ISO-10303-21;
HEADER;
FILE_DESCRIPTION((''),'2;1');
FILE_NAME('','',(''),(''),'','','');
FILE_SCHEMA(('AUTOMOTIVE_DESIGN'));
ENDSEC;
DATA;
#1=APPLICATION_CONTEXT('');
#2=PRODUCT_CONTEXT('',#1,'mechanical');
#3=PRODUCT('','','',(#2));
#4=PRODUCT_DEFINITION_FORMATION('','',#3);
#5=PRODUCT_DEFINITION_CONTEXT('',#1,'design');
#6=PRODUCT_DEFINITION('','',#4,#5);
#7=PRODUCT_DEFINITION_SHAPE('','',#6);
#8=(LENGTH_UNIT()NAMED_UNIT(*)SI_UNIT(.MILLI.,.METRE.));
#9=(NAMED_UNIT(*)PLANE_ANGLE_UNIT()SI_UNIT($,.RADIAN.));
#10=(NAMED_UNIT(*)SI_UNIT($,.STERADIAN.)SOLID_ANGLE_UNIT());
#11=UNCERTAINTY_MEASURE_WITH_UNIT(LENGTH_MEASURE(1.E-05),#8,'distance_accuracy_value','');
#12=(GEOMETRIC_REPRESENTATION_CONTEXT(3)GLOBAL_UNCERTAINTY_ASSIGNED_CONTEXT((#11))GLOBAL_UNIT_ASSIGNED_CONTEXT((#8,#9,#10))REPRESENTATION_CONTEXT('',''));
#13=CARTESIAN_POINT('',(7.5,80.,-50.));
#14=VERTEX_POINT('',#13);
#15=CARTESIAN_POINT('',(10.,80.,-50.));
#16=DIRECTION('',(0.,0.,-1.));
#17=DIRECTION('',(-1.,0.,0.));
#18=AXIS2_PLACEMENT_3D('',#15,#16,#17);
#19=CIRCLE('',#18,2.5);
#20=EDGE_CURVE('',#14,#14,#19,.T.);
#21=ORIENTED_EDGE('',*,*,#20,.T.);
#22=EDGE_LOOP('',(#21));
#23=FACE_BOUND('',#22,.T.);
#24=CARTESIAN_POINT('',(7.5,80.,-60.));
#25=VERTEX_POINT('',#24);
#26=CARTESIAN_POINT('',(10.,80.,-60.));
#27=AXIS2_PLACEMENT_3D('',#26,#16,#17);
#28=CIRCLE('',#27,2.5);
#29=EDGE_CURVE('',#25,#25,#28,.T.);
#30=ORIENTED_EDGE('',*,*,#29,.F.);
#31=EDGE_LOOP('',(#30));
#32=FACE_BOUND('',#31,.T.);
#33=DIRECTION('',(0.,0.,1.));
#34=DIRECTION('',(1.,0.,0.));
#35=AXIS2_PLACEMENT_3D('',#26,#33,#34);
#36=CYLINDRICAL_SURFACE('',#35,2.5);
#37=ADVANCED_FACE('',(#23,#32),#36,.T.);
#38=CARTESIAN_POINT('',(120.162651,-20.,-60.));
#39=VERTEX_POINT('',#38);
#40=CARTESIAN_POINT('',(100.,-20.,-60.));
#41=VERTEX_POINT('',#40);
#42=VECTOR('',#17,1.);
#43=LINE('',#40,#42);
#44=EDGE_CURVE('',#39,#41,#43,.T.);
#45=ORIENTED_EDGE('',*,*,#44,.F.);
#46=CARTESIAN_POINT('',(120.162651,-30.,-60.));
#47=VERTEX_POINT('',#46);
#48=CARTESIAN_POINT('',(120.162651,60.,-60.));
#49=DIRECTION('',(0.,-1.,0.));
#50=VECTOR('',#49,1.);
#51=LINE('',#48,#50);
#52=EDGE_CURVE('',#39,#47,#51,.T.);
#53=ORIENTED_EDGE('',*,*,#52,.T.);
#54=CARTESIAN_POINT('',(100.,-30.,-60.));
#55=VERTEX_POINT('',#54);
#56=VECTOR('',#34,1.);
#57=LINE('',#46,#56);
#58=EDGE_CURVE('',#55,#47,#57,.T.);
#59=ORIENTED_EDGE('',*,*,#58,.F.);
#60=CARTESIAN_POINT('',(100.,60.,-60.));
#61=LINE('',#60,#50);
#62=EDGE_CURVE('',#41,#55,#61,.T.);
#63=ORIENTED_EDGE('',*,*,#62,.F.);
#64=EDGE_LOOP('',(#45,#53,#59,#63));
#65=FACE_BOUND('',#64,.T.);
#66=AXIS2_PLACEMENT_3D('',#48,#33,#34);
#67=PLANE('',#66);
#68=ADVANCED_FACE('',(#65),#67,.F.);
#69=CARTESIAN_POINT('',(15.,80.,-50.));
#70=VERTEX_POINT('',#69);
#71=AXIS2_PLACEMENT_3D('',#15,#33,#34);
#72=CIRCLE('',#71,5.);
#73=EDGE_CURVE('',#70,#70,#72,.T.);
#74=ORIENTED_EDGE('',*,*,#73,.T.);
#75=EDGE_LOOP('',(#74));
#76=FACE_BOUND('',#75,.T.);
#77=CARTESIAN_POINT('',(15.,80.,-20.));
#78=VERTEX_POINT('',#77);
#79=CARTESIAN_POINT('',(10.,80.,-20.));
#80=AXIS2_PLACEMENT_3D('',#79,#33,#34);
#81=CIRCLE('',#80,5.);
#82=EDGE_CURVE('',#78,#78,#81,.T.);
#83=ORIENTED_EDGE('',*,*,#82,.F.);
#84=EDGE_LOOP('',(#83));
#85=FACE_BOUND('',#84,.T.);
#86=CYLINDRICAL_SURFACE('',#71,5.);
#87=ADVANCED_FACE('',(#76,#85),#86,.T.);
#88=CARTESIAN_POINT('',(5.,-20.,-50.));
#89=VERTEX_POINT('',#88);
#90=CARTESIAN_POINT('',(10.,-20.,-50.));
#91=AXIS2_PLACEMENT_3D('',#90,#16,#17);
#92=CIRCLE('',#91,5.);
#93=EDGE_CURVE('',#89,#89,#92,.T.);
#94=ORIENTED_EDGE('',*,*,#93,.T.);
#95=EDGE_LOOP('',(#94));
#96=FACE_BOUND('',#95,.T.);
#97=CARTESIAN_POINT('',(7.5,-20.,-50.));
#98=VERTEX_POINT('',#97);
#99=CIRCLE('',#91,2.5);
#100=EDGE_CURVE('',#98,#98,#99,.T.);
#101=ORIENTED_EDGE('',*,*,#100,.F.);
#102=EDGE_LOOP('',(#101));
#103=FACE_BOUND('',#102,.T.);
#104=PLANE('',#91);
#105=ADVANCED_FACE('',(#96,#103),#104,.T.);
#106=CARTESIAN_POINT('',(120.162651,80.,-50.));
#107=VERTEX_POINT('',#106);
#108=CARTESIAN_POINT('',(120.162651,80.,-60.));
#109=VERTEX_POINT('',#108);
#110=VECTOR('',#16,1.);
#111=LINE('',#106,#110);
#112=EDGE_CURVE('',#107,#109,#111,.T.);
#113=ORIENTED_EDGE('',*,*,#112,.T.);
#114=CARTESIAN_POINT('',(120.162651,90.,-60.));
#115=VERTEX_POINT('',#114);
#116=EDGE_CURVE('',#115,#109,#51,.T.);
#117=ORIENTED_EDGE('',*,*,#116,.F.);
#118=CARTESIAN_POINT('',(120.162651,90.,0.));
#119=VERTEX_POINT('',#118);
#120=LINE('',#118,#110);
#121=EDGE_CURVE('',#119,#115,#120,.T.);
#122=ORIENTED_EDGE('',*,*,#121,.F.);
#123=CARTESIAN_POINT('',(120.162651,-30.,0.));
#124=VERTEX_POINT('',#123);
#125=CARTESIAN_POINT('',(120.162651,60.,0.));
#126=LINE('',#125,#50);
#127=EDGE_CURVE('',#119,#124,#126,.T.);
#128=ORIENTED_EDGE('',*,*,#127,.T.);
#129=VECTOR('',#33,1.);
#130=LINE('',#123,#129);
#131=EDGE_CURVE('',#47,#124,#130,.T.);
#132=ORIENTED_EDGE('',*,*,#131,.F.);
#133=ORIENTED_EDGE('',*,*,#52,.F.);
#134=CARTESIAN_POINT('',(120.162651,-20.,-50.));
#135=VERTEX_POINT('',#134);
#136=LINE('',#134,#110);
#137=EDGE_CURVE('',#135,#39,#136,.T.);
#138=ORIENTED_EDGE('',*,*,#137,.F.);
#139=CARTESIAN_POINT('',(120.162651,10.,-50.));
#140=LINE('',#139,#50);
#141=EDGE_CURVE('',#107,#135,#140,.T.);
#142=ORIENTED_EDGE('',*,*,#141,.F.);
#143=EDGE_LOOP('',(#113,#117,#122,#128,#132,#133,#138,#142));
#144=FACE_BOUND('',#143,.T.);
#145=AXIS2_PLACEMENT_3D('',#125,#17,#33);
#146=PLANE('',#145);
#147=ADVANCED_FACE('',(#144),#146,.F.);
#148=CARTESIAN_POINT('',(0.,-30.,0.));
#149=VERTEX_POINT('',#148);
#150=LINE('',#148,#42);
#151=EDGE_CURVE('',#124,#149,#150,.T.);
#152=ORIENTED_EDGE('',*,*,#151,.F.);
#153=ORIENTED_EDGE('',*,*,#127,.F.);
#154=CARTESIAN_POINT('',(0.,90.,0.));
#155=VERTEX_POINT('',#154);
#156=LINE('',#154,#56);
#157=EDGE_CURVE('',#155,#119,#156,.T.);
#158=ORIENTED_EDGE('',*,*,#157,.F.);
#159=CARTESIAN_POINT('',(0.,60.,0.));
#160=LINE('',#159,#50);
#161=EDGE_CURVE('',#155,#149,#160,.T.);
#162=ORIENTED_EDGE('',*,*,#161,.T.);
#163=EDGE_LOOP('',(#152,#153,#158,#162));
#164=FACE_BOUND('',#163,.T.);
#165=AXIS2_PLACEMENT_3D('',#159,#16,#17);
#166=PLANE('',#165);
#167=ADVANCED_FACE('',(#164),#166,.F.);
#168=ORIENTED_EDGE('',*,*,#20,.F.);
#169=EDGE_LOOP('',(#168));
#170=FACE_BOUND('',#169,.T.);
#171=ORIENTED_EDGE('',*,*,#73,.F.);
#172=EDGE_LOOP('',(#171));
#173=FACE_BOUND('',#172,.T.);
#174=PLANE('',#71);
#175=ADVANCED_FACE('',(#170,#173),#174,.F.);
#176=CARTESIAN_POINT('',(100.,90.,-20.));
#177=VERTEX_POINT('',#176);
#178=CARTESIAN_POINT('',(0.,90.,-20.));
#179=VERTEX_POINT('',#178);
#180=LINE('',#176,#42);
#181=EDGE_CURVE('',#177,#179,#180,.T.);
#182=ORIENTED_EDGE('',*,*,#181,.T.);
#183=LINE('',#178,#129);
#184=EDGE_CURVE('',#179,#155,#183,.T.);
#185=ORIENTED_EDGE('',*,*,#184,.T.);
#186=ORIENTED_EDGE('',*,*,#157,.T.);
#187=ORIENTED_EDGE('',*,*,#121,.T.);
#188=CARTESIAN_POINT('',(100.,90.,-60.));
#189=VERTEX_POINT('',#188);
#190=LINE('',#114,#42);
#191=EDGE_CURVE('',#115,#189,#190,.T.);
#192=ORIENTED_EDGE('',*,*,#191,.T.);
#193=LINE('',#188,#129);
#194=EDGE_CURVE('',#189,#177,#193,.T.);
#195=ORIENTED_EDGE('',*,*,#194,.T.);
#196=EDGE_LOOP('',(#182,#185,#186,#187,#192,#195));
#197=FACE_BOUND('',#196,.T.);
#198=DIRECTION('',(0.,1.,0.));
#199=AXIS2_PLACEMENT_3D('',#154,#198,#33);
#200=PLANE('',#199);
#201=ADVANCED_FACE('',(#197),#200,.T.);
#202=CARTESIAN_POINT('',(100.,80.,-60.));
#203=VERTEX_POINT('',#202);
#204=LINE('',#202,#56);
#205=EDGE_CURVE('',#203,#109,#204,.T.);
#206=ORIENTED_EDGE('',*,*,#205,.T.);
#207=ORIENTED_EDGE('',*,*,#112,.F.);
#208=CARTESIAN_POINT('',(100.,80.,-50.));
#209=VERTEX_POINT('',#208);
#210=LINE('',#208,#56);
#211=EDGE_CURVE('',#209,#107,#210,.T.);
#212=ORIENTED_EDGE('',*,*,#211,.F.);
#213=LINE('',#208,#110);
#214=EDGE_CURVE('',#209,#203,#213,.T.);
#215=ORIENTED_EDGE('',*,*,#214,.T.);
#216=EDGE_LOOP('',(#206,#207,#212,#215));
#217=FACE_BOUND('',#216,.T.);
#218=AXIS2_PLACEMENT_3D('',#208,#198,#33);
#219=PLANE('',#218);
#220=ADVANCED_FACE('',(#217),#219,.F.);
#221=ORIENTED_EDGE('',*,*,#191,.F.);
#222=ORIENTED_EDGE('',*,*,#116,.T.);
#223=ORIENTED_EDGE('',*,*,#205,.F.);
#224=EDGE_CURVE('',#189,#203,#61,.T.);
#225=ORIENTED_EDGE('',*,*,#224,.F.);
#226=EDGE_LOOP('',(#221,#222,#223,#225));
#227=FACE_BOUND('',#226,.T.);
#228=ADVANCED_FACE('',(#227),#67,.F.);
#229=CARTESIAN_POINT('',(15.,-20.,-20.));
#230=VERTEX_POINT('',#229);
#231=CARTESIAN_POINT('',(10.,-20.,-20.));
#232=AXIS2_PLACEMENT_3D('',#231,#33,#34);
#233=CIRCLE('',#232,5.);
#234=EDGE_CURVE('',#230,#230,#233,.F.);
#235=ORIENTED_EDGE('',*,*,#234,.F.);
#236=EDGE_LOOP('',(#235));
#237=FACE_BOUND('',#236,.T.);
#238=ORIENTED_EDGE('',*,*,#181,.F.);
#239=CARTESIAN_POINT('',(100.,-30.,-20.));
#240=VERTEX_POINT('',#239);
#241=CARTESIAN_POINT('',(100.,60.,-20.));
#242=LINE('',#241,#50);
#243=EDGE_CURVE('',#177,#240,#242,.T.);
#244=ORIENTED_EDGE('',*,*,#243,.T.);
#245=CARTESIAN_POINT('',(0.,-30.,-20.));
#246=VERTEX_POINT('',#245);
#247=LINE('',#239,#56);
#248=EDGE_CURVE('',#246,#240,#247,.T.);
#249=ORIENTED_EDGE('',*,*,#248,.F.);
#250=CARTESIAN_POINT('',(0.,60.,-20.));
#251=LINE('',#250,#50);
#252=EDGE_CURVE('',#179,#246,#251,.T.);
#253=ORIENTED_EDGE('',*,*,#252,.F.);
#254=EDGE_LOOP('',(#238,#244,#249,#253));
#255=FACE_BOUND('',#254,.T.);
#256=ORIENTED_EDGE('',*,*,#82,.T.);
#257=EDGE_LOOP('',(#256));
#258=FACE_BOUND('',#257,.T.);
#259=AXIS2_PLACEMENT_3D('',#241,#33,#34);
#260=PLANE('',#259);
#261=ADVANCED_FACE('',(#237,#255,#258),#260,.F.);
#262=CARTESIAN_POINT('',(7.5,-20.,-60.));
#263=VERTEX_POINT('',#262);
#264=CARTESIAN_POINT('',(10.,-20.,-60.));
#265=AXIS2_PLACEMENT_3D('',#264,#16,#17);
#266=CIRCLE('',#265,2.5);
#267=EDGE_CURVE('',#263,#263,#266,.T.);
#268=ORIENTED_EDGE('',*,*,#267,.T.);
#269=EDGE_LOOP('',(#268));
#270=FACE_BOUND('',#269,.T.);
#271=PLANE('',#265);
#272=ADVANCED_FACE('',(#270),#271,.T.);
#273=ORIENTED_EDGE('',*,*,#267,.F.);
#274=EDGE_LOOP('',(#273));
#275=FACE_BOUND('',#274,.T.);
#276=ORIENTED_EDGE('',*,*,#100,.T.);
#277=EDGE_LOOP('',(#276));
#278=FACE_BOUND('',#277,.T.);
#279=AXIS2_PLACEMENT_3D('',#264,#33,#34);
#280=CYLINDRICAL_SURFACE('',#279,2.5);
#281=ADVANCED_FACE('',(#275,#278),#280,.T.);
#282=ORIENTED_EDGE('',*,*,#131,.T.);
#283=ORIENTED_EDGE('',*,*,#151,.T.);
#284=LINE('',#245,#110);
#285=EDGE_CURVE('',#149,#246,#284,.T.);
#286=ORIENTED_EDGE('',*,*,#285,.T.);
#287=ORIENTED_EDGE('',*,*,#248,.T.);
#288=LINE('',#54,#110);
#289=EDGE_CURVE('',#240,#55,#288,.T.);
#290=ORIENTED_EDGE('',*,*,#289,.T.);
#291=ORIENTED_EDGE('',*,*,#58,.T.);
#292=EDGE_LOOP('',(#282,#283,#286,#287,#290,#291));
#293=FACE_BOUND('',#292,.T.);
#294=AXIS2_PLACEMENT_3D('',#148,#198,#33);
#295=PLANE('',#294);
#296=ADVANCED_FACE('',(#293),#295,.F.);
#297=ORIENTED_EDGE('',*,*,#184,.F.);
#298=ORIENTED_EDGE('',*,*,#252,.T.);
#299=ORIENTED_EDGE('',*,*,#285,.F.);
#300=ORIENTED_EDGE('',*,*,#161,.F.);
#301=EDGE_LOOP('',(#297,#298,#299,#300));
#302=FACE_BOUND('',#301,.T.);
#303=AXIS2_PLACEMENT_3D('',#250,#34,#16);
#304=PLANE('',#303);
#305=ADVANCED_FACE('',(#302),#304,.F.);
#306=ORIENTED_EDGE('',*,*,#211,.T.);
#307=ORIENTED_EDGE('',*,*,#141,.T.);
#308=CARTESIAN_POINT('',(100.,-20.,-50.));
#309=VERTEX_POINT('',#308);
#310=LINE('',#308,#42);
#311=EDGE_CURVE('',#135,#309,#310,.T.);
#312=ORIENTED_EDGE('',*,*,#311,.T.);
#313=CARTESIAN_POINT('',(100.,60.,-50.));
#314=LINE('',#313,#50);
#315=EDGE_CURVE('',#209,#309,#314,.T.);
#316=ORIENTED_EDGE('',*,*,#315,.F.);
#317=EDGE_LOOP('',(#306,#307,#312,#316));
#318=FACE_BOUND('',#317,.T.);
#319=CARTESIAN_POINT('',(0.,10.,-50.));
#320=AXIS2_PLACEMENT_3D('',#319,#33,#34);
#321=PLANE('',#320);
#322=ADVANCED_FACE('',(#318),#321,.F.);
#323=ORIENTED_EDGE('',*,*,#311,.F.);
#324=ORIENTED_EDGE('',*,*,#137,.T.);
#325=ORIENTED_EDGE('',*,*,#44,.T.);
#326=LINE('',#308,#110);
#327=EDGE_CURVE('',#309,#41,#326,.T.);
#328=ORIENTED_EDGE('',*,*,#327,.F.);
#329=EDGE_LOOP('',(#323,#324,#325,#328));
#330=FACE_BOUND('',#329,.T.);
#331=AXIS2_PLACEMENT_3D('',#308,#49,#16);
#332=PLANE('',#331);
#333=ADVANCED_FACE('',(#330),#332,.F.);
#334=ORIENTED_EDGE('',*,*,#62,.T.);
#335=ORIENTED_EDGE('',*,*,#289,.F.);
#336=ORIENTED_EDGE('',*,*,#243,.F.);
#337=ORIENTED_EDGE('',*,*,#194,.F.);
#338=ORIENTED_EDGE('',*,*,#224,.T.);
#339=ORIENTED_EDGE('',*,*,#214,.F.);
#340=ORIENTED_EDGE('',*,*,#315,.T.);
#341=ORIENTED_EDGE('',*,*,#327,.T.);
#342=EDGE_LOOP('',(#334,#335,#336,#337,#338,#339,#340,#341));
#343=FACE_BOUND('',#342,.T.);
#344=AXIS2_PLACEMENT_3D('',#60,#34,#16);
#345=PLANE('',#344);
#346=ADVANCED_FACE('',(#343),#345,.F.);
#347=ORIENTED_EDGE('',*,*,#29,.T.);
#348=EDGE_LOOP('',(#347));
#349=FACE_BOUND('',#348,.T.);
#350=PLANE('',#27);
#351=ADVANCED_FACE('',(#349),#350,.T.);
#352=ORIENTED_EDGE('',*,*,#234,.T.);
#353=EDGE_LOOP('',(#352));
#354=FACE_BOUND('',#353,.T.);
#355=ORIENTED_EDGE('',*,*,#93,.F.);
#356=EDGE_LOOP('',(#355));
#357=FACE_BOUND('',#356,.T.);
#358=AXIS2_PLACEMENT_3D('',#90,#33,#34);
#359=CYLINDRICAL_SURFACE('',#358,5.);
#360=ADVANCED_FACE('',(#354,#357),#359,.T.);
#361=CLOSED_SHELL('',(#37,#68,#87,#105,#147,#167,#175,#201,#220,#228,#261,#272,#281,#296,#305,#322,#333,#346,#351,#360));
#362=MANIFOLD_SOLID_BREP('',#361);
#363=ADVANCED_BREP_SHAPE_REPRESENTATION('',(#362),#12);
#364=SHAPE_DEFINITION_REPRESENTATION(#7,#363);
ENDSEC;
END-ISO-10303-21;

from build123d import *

# Parameters (mm, degrees)
EXTRUDE_1_DEPTH     = 60
SKETCH_3_W          = 10
SKETCH_3_H          = 40
CUT_EXTRUDE_2_DEPTH = 148.102218349
EXTRUDE_4_DEPTH     = 30
EXTRUDE_5_DEPTH     = 30
SKETCH_9_R          = 5
EXTRUDE_6_DEPTH     = 30
SKETCH_10_R         = 2.5
EXTRUDE_7_DEPTH     = 10
SKETCH_11_W         = 20.162650783
SKETCH_11_H         = 30
CUT_EXTRUDE_3_DEPTH = 10


with BuildPart() as part:
    # 草图1 → 凸台-拉伸1 (new body)
    with BuildSketch(Plane(origin=(0, 0, 0), x_dir=(1, 0, 0), z_dir=(0, 1, 0))):
        Polygon((0, 0), (120.162650783, 0), (120.162650783, 60), (100, 60), (100, 20), (0, 20), align=None)
    extrude(amount=EXTRUDE_1_DEPTH)

    # 草图3 → 切除-拉伸2 (cut, through all)
    with BuildSketch(Plane(origin=(120.162650783, 0, 0), x_dir=(0, 0, -1), z_dir=(1, 0, 0))):
        with Locations((55, 30)):
            Rectangle(SKETCH_3_W, SKETCH_3_H)
    extrude(amount=-CUT_EXTRUDE_2_DEPTH, mode=Mode.SUBTRACT)

    # 草图7 → 凸台-拉伸4 (add)
    with BuildSketch(Plane(origin=(0, 60, 0), x_dir=(1, 0, 0), z_dir=(0, 1, 0))):
        Polygon((0, 20), (0, 0), (120.162650783, 0), (120.162650783, 60), (100, 60), (100, 20), align=None)
    extrude(amount=EXTRUDE_4_DEPTH)

    # 草图8 → 凸台-拉伸5 (add)
    with BuildSketch(Plane.XZ):
        Polygon((0, -20), (0, 0), (120.162650783, 0), (120.162650783, -60), (100, -60), (100, -20), align=None)
    extrude(amount=EXTRUDE_5_DEPTH)

    # 草图9 → 凸台-拉伸6 (add)
    with BuildSketch(Plane(origin=(0, 0, -20), x_dir=(-1, 0, 0), z_dir=(0, 0, -1))):
        with Locations(Location((-10, -20, 0), (0, 0, 180))):
            Circle(SKETCH_9_R)
        with Locations(Location((-10, 80, 0), (0, 0, 180))):
            Circle(SKETCH_9_R)
    extrude(amount=EXTRUDE_6_DEPTH)

    # 草图10 → 凸台-拉伸7 (add)
    with BuildSketch(Plane(origin=(0, 0, -50), x_dir=(-1, 0, 0), z_dir=(0, 0, -1))):
        with Locations((-10, -20)):
            Circle(SKETCH_10_R)
        with Locations((-10, 80)):
            Circle(SKETCH_10_R)
    extrude(amount=EXTRUDE_7_DEPTH)

    # 草图11 → 切除-拉伸3 (cut)
    with BuildSketch(Plane(origin=(0, 0, -60), x_dir=(-1, 0, 0), z_dir=(0, 0, -1))):
        with Locations((-110.081325392, -5)):
            Rectangle(SKETCH_11_W, SKETCH_11_H)
        with Locations((-110.081325392, 65)):
            Rectangle(SKETCH_11_W, SKETCH_11_H)
    extrude(amount=-CUT_EXTRUDE_3_DEPTH, mode=Mode.SUBTRACT)


solid = part.part
